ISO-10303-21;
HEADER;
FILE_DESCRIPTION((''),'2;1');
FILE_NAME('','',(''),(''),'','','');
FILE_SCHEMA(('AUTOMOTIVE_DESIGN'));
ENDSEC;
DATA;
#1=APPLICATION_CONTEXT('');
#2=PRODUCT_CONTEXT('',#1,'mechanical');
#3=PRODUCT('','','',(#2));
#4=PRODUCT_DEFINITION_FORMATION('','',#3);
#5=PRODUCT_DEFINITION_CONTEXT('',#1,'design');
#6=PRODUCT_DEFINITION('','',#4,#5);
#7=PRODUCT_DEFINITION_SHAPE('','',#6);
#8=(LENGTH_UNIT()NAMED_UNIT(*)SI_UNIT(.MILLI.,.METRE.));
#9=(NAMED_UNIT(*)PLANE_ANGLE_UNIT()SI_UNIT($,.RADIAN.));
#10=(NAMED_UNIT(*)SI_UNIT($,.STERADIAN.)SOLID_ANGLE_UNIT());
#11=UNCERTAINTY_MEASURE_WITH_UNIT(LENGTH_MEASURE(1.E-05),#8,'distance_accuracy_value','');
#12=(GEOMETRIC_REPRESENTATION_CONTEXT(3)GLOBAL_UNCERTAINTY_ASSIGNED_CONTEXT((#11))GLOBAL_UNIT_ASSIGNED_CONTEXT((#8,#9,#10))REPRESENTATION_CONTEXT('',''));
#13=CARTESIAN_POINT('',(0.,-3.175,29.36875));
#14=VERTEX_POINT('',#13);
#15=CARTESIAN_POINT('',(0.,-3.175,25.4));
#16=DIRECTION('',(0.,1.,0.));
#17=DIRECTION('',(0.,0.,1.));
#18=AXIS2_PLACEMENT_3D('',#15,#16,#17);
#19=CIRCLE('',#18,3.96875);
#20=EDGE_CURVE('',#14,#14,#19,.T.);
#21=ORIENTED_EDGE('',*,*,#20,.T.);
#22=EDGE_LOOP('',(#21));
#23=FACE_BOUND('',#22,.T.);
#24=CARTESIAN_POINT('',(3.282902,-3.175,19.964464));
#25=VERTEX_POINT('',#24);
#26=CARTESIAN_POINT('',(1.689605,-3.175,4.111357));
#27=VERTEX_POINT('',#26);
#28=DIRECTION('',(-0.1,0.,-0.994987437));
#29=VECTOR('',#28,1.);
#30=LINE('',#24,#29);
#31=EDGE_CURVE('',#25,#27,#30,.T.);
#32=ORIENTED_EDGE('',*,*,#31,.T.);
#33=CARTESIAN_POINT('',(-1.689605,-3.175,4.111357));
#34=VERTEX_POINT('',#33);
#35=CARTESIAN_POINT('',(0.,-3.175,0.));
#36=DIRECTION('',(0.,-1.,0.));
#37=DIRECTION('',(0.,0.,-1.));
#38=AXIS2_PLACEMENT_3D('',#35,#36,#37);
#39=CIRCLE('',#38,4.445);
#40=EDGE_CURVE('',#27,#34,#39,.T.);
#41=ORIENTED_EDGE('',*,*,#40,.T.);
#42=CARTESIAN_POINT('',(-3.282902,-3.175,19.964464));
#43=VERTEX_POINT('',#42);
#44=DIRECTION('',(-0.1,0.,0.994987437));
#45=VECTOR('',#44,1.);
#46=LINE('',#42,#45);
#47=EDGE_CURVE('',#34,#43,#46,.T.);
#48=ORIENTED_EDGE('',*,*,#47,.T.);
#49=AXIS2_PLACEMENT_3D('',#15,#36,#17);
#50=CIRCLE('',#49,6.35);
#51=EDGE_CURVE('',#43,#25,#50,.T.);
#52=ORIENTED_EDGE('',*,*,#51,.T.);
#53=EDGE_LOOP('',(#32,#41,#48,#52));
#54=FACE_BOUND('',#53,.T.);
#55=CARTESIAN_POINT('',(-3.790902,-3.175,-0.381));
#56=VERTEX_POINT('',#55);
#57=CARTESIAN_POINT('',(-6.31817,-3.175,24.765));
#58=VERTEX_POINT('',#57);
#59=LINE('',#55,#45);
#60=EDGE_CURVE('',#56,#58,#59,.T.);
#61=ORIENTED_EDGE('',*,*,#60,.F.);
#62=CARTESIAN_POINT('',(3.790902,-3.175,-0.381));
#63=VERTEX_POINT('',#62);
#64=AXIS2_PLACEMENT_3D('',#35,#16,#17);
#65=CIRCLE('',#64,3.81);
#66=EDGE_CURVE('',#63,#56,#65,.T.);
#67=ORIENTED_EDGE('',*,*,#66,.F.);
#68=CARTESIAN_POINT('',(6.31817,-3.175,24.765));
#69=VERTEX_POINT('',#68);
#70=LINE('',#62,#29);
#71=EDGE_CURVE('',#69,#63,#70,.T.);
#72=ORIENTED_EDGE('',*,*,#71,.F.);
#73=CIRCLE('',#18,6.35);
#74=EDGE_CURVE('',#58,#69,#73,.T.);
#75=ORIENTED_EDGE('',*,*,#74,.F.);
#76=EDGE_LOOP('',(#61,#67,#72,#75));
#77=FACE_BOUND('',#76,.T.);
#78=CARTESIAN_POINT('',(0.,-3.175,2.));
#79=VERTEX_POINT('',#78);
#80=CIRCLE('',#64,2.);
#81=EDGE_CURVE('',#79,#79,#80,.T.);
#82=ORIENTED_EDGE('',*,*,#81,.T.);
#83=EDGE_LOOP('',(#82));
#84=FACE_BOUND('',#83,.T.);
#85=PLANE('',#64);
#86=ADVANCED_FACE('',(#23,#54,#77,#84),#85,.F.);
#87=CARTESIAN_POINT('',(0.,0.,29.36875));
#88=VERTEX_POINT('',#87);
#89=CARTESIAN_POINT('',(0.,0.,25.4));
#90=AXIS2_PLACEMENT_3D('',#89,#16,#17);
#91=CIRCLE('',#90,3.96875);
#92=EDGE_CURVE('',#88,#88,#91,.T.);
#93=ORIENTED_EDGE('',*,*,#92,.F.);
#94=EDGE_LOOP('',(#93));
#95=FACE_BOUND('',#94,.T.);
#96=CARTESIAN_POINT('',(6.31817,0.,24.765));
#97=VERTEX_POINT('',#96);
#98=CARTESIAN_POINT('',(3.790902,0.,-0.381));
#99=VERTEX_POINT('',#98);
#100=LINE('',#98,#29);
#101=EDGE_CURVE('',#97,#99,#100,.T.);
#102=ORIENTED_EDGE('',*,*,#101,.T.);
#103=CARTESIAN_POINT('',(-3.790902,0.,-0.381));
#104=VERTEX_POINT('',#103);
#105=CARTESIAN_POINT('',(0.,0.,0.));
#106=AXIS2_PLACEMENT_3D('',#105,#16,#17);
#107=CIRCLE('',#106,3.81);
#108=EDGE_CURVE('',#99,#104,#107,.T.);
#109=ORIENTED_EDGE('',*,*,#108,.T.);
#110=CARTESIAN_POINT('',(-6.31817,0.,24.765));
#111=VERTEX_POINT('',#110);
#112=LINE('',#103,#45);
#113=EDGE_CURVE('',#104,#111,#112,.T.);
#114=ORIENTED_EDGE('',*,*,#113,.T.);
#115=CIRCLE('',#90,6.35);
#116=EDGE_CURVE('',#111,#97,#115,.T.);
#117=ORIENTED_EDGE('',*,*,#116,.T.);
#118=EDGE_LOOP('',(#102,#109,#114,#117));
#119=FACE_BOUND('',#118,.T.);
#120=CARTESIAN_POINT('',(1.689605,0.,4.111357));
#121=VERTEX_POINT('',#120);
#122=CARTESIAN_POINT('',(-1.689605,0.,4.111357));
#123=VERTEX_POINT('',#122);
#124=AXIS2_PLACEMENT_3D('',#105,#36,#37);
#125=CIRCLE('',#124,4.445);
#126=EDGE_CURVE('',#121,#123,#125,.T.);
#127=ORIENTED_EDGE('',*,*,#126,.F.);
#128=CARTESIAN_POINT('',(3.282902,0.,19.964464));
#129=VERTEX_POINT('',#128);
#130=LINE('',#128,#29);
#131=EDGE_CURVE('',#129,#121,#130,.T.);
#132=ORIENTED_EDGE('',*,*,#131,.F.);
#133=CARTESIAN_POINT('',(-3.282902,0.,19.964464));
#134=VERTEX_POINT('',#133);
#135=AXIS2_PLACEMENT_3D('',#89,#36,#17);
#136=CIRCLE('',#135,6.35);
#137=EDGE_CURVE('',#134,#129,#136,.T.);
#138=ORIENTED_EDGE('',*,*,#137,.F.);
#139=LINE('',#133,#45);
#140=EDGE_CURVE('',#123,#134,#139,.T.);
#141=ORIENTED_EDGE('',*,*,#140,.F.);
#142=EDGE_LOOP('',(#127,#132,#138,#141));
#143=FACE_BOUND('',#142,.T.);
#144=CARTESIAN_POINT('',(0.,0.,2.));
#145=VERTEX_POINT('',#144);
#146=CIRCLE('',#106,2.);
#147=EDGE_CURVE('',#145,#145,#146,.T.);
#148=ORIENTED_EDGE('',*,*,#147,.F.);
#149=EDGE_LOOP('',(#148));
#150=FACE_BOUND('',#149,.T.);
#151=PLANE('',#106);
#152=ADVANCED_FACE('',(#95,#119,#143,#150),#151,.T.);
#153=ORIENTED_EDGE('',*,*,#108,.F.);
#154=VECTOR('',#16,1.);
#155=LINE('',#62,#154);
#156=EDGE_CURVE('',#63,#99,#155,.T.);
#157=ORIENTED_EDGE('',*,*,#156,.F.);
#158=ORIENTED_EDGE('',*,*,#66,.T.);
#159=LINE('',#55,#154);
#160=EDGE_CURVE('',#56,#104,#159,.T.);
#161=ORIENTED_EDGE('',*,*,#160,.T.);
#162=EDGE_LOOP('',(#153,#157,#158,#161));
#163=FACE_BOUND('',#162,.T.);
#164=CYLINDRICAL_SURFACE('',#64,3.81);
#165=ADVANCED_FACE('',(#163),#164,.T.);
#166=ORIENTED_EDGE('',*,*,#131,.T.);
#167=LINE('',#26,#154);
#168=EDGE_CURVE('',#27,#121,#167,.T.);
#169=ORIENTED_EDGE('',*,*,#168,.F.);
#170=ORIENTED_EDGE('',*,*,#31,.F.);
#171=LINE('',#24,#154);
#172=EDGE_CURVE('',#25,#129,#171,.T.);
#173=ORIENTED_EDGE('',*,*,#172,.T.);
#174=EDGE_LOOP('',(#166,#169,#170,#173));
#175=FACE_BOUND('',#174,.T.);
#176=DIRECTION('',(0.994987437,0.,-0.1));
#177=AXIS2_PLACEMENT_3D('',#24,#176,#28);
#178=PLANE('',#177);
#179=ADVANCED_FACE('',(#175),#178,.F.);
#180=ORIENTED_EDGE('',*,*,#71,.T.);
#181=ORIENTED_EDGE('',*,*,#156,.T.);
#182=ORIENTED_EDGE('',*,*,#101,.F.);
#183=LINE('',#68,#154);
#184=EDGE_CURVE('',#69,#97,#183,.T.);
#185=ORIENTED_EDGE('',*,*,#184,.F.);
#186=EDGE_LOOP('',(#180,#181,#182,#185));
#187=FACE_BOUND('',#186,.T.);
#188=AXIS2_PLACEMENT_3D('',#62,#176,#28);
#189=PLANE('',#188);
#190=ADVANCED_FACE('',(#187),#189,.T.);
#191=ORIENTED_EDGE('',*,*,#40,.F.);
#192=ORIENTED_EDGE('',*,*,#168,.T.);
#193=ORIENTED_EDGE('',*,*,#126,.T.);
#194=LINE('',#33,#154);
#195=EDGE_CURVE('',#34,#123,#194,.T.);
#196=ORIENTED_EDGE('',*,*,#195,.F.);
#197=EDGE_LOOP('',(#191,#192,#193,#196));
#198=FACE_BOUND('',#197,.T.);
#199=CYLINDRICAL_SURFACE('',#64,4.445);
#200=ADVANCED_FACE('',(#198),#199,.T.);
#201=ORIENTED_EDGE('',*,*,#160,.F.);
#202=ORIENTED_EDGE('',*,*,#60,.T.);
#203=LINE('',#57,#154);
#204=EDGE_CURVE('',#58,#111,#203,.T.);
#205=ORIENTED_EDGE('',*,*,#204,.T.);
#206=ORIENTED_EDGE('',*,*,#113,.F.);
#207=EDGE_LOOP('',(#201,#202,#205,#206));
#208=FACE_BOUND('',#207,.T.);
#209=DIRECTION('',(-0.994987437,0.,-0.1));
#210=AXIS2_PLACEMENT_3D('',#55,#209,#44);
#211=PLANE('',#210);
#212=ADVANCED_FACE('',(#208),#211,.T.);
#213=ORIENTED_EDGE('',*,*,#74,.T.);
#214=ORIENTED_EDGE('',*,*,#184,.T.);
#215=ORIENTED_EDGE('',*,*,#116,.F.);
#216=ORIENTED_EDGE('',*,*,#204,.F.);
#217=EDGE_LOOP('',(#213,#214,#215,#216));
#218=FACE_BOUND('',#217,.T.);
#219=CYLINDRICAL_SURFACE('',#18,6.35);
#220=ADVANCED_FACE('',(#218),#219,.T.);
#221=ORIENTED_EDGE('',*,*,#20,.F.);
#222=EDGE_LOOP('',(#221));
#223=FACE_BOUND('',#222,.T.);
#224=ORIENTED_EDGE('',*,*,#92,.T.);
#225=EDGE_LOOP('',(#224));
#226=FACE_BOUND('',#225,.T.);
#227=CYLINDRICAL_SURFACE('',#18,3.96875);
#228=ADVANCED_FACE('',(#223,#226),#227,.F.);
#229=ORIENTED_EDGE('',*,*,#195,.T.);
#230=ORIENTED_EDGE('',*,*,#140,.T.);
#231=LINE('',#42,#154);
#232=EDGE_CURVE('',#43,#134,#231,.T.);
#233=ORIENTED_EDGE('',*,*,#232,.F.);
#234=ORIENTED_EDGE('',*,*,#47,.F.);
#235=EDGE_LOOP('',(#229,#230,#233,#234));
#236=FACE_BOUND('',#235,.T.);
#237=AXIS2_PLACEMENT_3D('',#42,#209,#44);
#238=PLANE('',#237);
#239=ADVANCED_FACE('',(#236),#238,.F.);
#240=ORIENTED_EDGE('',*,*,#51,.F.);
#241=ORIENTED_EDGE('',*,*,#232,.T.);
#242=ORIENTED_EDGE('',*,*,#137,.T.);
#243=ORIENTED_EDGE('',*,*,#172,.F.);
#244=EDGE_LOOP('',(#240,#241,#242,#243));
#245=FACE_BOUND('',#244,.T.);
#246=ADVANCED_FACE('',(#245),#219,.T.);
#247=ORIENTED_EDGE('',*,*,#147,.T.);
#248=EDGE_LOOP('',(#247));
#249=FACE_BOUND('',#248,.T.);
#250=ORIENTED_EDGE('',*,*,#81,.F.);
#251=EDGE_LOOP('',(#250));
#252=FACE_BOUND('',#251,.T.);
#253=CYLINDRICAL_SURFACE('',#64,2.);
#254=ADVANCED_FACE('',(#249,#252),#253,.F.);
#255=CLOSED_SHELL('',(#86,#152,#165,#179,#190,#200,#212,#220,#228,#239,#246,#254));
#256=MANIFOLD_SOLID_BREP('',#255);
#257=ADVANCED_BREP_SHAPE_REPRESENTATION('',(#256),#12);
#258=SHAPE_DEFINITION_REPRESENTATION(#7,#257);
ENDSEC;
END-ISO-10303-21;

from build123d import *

# Parameters (mm, degrees)
SKETCH1_R           = 2
SKETCH1_R_2         = 3.96875
BOSS_EXTRUDE1_DEPTH = 3.175


with BuildPart() as part:
    # Sketch1 → Boss-Extrude1 (new body)
    with BuildSketch(Plane(origin=(0, 0, 0), x_dir=(1, 0, 0), z_dir=(0, 1, 0))):
        with BuildLine():
            Line((-3.790902135, 0.381), (-6.318170226, -24.765))
            ThreePointArc((-6.318170226, -24.765), (0, -31.75), (6.318170226, -24.765))
            Line((6.318170226, -24.765), (3.790902135, 0.381))
            ThreePointArc((3.790902135, 0.381), (0, 3.81), (-3.790902135, 0.381))
        make_face()
        with Locations(Location((0, 0, 0), (0, 0, 270))):
            Circle(SKETCH1_R, mode=Mode.SUBTRACT)
        with Locations(Location((0, -25.4, 0), (0, 0, 270))):
            Circle(SKETCH1_R_2, mode=Mode.SUBTRACT)
        with BuildLine():
            Line((3.282902135, -19.964463819), (1.689604995, -4.111357435))
            ThreePointArc((1.689604995, -4.111357435), (0, -4.445), (-1.689604995, -4.111357435))
            Line((-1.689604995, -4.111357435), (-3.282902135, -19.964463819))
            ThreePointArc((-3.282902135, -19.964463819), (0, -19.05), (3.282902135, -19.964463819))
        make_face(mode=Mode.SUBTRACT)
    extrude(amount=-BOSS_EXTRUDE1_DEPTH)


solid = part.part
